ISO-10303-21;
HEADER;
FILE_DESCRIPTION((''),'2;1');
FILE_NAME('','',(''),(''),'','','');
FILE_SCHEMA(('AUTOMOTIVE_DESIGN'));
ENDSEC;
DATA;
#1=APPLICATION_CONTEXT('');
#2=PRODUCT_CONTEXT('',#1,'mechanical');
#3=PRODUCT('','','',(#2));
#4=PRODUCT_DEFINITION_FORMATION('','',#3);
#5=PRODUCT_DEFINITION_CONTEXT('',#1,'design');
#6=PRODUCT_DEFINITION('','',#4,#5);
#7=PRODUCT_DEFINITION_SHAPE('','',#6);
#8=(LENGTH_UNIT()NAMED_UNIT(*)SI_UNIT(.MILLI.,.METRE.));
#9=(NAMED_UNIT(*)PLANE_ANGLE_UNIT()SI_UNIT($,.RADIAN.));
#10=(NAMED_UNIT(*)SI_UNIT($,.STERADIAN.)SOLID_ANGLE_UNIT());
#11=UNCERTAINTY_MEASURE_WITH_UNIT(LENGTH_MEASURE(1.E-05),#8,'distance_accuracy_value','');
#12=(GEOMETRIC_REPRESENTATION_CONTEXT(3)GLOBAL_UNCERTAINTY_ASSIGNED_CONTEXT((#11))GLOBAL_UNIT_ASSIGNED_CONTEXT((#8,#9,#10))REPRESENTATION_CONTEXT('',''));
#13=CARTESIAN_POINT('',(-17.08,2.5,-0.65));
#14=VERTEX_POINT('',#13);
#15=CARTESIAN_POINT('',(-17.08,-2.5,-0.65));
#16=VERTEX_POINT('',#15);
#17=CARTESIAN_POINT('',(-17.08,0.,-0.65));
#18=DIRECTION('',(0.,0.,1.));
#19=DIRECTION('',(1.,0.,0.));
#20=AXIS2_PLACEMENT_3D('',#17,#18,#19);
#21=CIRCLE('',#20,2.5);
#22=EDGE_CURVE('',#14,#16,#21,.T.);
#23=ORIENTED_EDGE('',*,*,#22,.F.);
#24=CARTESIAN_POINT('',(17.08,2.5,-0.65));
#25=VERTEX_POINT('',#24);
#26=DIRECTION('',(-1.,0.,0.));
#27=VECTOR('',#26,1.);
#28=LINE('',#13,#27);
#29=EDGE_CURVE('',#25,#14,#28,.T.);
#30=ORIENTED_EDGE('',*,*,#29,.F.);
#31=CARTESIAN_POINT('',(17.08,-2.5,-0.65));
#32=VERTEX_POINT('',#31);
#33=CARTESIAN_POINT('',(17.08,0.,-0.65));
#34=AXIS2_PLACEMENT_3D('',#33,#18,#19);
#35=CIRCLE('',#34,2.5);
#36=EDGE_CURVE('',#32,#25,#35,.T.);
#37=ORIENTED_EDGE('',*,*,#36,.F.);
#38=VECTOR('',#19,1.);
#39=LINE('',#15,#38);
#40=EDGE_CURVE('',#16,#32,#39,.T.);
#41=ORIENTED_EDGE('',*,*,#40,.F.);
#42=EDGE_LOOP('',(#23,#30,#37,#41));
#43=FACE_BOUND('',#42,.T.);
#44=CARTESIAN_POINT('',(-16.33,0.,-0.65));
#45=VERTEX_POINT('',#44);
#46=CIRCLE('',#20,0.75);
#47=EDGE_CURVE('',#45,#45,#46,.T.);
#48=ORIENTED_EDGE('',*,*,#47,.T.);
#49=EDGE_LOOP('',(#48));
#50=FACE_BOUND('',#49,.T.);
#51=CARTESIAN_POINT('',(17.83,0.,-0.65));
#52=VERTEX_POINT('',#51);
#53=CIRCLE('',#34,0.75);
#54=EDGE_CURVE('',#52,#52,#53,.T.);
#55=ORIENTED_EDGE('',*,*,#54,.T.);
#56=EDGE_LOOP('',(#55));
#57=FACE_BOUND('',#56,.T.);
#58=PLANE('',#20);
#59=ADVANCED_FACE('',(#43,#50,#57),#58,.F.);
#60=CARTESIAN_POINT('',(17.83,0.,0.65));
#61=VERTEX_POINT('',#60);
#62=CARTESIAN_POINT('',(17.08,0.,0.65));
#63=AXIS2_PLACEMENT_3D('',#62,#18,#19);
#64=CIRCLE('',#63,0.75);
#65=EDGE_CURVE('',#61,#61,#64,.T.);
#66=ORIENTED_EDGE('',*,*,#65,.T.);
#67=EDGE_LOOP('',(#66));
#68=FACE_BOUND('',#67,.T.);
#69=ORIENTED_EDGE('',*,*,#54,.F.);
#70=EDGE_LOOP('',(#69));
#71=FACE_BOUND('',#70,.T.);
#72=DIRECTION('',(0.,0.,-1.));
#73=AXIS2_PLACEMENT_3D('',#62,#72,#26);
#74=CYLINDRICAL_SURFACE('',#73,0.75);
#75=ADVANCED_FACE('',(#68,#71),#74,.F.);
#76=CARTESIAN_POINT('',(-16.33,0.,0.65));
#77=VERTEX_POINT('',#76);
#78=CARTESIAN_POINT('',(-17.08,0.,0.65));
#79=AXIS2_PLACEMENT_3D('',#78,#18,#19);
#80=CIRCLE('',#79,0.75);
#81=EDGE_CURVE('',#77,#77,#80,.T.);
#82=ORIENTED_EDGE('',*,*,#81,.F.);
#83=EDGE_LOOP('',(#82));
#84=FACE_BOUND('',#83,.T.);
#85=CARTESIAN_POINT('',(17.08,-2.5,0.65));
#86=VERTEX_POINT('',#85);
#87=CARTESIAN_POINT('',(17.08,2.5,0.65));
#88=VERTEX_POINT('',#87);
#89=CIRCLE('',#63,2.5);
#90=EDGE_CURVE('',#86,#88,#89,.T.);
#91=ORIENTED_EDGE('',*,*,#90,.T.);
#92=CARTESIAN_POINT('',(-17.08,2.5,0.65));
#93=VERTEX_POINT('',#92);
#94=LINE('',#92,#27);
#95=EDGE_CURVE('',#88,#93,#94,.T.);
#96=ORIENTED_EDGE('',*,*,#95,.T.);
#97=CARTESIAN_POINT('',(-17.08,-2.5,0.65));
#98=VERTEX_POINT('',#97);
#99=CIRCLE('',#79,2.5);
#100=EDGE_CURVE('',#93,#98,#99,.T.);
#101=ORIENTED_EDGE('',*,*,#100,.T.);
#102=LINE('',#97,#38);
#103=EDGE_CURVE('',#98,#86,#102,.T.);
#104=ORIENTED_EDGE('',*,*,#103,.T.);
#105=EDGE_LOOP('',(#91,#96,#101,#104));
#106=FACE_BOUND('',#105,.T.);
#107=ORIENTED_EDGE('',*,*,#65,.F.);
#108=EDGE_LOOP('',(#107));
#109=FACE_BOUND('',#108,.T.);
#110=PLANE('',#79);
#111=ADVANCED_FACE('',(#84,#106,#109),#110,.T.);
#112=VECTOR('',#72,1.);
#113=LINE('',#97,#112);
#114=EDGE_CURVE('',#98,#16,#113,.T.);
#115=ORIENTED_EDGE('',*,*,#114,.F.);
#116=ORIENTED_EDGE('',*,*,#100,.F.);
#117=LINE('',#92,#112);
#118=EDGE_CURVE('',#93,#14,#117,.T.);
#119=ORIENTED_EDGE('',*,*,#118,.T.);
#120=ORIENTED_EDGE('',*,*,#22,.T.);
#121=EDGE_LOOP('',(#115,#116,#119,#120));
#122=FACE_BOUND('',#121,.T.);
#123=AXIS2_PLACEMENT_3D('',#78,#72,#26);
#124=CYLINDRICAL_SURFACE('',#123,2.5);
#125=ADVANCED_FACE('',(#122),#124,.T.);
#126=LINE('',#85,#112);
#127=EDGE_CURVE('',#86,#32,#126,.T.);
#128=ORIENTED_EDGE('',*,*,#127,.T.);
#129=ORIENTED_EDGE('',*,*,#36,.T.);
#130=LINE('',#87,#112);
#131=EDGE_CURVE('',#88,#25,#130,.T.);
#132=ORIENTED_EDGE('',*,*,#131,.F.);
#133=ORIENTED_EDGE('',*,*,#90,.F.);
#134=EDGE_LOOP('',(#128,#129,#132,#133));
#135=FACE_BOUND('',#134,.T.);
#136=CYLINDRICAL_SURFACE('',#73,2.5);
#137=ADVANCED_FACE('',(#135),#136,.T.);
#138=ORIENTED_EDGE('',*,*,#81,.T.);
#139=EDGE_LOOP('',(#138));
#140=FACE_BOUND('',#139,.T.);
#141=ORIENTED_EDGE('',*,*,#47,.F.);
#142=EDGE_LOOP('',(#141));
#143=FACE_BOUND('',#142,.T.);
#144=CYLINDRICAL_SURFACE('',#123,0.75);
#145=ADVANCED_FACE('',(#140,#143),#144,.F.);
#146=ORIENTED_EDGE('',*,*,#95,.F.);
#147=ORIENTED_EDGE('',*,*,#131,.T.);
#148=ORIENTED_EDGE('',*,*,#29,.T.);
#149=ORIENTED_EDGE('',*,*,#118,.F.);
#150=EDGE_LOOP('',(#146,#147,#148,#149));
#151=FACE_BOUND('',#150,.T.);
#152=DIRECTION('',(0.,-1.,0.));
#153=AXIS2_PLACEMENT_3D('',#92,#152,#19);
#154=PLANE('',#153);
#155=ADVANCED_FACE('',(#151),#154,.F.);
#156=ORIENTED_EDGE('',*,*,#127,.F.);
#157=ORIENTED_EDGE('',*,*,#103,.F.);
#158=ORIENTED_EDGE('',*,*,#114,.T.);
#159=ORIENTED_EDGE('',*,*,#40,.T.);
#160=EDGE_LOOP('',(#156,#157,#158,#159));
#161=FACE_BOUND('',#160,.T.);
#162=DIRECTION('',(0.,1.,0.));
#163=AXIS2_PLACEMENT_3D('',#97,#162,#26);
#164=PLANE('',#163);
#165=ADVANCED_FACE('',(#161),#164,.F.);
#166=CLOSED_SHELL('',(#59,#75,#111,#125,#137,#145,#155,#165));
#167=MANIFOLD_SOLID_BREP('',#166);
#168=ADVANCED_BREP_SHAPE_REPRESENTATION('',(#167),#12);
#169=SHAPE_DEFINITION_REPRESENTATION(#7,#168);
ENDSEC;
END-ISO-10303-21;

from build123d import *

# Parameters (mm, degrees)
SKETCH_1_R      = 0.75
EXTRUDE_1_DEPTH = 0.65


with BuildPart() as part:
    # 草圖1 → 填料-伸長1 (new body, symmetric)
    with BuildSketch(Plane.XY):
        with BuildLine():
            Line((-17.08, 2.5), (17.08, 2.5))
            ThreePointArc((17.08, 2.5), (19.58, 0), (17.08, -2.5))
            Line((17.08, -2.5), (-17.08, -2.5))
            ThreePointArc((-17.08, -2.5), (-19.58, 0), (-17.08, 2.5))
        make_face()
        with Locations((-17.08, 0)):
            Circle(SKETCH_1_R, mode=Mode.SUBTRACT)
        with Locations((17.08, 0)):
            Circle(SKETCH_1_R, mode=Mode.SUBTRACT)
    extrude(amount=EXTRUDE_1_DEPTH, both=True)


solid = part.part
